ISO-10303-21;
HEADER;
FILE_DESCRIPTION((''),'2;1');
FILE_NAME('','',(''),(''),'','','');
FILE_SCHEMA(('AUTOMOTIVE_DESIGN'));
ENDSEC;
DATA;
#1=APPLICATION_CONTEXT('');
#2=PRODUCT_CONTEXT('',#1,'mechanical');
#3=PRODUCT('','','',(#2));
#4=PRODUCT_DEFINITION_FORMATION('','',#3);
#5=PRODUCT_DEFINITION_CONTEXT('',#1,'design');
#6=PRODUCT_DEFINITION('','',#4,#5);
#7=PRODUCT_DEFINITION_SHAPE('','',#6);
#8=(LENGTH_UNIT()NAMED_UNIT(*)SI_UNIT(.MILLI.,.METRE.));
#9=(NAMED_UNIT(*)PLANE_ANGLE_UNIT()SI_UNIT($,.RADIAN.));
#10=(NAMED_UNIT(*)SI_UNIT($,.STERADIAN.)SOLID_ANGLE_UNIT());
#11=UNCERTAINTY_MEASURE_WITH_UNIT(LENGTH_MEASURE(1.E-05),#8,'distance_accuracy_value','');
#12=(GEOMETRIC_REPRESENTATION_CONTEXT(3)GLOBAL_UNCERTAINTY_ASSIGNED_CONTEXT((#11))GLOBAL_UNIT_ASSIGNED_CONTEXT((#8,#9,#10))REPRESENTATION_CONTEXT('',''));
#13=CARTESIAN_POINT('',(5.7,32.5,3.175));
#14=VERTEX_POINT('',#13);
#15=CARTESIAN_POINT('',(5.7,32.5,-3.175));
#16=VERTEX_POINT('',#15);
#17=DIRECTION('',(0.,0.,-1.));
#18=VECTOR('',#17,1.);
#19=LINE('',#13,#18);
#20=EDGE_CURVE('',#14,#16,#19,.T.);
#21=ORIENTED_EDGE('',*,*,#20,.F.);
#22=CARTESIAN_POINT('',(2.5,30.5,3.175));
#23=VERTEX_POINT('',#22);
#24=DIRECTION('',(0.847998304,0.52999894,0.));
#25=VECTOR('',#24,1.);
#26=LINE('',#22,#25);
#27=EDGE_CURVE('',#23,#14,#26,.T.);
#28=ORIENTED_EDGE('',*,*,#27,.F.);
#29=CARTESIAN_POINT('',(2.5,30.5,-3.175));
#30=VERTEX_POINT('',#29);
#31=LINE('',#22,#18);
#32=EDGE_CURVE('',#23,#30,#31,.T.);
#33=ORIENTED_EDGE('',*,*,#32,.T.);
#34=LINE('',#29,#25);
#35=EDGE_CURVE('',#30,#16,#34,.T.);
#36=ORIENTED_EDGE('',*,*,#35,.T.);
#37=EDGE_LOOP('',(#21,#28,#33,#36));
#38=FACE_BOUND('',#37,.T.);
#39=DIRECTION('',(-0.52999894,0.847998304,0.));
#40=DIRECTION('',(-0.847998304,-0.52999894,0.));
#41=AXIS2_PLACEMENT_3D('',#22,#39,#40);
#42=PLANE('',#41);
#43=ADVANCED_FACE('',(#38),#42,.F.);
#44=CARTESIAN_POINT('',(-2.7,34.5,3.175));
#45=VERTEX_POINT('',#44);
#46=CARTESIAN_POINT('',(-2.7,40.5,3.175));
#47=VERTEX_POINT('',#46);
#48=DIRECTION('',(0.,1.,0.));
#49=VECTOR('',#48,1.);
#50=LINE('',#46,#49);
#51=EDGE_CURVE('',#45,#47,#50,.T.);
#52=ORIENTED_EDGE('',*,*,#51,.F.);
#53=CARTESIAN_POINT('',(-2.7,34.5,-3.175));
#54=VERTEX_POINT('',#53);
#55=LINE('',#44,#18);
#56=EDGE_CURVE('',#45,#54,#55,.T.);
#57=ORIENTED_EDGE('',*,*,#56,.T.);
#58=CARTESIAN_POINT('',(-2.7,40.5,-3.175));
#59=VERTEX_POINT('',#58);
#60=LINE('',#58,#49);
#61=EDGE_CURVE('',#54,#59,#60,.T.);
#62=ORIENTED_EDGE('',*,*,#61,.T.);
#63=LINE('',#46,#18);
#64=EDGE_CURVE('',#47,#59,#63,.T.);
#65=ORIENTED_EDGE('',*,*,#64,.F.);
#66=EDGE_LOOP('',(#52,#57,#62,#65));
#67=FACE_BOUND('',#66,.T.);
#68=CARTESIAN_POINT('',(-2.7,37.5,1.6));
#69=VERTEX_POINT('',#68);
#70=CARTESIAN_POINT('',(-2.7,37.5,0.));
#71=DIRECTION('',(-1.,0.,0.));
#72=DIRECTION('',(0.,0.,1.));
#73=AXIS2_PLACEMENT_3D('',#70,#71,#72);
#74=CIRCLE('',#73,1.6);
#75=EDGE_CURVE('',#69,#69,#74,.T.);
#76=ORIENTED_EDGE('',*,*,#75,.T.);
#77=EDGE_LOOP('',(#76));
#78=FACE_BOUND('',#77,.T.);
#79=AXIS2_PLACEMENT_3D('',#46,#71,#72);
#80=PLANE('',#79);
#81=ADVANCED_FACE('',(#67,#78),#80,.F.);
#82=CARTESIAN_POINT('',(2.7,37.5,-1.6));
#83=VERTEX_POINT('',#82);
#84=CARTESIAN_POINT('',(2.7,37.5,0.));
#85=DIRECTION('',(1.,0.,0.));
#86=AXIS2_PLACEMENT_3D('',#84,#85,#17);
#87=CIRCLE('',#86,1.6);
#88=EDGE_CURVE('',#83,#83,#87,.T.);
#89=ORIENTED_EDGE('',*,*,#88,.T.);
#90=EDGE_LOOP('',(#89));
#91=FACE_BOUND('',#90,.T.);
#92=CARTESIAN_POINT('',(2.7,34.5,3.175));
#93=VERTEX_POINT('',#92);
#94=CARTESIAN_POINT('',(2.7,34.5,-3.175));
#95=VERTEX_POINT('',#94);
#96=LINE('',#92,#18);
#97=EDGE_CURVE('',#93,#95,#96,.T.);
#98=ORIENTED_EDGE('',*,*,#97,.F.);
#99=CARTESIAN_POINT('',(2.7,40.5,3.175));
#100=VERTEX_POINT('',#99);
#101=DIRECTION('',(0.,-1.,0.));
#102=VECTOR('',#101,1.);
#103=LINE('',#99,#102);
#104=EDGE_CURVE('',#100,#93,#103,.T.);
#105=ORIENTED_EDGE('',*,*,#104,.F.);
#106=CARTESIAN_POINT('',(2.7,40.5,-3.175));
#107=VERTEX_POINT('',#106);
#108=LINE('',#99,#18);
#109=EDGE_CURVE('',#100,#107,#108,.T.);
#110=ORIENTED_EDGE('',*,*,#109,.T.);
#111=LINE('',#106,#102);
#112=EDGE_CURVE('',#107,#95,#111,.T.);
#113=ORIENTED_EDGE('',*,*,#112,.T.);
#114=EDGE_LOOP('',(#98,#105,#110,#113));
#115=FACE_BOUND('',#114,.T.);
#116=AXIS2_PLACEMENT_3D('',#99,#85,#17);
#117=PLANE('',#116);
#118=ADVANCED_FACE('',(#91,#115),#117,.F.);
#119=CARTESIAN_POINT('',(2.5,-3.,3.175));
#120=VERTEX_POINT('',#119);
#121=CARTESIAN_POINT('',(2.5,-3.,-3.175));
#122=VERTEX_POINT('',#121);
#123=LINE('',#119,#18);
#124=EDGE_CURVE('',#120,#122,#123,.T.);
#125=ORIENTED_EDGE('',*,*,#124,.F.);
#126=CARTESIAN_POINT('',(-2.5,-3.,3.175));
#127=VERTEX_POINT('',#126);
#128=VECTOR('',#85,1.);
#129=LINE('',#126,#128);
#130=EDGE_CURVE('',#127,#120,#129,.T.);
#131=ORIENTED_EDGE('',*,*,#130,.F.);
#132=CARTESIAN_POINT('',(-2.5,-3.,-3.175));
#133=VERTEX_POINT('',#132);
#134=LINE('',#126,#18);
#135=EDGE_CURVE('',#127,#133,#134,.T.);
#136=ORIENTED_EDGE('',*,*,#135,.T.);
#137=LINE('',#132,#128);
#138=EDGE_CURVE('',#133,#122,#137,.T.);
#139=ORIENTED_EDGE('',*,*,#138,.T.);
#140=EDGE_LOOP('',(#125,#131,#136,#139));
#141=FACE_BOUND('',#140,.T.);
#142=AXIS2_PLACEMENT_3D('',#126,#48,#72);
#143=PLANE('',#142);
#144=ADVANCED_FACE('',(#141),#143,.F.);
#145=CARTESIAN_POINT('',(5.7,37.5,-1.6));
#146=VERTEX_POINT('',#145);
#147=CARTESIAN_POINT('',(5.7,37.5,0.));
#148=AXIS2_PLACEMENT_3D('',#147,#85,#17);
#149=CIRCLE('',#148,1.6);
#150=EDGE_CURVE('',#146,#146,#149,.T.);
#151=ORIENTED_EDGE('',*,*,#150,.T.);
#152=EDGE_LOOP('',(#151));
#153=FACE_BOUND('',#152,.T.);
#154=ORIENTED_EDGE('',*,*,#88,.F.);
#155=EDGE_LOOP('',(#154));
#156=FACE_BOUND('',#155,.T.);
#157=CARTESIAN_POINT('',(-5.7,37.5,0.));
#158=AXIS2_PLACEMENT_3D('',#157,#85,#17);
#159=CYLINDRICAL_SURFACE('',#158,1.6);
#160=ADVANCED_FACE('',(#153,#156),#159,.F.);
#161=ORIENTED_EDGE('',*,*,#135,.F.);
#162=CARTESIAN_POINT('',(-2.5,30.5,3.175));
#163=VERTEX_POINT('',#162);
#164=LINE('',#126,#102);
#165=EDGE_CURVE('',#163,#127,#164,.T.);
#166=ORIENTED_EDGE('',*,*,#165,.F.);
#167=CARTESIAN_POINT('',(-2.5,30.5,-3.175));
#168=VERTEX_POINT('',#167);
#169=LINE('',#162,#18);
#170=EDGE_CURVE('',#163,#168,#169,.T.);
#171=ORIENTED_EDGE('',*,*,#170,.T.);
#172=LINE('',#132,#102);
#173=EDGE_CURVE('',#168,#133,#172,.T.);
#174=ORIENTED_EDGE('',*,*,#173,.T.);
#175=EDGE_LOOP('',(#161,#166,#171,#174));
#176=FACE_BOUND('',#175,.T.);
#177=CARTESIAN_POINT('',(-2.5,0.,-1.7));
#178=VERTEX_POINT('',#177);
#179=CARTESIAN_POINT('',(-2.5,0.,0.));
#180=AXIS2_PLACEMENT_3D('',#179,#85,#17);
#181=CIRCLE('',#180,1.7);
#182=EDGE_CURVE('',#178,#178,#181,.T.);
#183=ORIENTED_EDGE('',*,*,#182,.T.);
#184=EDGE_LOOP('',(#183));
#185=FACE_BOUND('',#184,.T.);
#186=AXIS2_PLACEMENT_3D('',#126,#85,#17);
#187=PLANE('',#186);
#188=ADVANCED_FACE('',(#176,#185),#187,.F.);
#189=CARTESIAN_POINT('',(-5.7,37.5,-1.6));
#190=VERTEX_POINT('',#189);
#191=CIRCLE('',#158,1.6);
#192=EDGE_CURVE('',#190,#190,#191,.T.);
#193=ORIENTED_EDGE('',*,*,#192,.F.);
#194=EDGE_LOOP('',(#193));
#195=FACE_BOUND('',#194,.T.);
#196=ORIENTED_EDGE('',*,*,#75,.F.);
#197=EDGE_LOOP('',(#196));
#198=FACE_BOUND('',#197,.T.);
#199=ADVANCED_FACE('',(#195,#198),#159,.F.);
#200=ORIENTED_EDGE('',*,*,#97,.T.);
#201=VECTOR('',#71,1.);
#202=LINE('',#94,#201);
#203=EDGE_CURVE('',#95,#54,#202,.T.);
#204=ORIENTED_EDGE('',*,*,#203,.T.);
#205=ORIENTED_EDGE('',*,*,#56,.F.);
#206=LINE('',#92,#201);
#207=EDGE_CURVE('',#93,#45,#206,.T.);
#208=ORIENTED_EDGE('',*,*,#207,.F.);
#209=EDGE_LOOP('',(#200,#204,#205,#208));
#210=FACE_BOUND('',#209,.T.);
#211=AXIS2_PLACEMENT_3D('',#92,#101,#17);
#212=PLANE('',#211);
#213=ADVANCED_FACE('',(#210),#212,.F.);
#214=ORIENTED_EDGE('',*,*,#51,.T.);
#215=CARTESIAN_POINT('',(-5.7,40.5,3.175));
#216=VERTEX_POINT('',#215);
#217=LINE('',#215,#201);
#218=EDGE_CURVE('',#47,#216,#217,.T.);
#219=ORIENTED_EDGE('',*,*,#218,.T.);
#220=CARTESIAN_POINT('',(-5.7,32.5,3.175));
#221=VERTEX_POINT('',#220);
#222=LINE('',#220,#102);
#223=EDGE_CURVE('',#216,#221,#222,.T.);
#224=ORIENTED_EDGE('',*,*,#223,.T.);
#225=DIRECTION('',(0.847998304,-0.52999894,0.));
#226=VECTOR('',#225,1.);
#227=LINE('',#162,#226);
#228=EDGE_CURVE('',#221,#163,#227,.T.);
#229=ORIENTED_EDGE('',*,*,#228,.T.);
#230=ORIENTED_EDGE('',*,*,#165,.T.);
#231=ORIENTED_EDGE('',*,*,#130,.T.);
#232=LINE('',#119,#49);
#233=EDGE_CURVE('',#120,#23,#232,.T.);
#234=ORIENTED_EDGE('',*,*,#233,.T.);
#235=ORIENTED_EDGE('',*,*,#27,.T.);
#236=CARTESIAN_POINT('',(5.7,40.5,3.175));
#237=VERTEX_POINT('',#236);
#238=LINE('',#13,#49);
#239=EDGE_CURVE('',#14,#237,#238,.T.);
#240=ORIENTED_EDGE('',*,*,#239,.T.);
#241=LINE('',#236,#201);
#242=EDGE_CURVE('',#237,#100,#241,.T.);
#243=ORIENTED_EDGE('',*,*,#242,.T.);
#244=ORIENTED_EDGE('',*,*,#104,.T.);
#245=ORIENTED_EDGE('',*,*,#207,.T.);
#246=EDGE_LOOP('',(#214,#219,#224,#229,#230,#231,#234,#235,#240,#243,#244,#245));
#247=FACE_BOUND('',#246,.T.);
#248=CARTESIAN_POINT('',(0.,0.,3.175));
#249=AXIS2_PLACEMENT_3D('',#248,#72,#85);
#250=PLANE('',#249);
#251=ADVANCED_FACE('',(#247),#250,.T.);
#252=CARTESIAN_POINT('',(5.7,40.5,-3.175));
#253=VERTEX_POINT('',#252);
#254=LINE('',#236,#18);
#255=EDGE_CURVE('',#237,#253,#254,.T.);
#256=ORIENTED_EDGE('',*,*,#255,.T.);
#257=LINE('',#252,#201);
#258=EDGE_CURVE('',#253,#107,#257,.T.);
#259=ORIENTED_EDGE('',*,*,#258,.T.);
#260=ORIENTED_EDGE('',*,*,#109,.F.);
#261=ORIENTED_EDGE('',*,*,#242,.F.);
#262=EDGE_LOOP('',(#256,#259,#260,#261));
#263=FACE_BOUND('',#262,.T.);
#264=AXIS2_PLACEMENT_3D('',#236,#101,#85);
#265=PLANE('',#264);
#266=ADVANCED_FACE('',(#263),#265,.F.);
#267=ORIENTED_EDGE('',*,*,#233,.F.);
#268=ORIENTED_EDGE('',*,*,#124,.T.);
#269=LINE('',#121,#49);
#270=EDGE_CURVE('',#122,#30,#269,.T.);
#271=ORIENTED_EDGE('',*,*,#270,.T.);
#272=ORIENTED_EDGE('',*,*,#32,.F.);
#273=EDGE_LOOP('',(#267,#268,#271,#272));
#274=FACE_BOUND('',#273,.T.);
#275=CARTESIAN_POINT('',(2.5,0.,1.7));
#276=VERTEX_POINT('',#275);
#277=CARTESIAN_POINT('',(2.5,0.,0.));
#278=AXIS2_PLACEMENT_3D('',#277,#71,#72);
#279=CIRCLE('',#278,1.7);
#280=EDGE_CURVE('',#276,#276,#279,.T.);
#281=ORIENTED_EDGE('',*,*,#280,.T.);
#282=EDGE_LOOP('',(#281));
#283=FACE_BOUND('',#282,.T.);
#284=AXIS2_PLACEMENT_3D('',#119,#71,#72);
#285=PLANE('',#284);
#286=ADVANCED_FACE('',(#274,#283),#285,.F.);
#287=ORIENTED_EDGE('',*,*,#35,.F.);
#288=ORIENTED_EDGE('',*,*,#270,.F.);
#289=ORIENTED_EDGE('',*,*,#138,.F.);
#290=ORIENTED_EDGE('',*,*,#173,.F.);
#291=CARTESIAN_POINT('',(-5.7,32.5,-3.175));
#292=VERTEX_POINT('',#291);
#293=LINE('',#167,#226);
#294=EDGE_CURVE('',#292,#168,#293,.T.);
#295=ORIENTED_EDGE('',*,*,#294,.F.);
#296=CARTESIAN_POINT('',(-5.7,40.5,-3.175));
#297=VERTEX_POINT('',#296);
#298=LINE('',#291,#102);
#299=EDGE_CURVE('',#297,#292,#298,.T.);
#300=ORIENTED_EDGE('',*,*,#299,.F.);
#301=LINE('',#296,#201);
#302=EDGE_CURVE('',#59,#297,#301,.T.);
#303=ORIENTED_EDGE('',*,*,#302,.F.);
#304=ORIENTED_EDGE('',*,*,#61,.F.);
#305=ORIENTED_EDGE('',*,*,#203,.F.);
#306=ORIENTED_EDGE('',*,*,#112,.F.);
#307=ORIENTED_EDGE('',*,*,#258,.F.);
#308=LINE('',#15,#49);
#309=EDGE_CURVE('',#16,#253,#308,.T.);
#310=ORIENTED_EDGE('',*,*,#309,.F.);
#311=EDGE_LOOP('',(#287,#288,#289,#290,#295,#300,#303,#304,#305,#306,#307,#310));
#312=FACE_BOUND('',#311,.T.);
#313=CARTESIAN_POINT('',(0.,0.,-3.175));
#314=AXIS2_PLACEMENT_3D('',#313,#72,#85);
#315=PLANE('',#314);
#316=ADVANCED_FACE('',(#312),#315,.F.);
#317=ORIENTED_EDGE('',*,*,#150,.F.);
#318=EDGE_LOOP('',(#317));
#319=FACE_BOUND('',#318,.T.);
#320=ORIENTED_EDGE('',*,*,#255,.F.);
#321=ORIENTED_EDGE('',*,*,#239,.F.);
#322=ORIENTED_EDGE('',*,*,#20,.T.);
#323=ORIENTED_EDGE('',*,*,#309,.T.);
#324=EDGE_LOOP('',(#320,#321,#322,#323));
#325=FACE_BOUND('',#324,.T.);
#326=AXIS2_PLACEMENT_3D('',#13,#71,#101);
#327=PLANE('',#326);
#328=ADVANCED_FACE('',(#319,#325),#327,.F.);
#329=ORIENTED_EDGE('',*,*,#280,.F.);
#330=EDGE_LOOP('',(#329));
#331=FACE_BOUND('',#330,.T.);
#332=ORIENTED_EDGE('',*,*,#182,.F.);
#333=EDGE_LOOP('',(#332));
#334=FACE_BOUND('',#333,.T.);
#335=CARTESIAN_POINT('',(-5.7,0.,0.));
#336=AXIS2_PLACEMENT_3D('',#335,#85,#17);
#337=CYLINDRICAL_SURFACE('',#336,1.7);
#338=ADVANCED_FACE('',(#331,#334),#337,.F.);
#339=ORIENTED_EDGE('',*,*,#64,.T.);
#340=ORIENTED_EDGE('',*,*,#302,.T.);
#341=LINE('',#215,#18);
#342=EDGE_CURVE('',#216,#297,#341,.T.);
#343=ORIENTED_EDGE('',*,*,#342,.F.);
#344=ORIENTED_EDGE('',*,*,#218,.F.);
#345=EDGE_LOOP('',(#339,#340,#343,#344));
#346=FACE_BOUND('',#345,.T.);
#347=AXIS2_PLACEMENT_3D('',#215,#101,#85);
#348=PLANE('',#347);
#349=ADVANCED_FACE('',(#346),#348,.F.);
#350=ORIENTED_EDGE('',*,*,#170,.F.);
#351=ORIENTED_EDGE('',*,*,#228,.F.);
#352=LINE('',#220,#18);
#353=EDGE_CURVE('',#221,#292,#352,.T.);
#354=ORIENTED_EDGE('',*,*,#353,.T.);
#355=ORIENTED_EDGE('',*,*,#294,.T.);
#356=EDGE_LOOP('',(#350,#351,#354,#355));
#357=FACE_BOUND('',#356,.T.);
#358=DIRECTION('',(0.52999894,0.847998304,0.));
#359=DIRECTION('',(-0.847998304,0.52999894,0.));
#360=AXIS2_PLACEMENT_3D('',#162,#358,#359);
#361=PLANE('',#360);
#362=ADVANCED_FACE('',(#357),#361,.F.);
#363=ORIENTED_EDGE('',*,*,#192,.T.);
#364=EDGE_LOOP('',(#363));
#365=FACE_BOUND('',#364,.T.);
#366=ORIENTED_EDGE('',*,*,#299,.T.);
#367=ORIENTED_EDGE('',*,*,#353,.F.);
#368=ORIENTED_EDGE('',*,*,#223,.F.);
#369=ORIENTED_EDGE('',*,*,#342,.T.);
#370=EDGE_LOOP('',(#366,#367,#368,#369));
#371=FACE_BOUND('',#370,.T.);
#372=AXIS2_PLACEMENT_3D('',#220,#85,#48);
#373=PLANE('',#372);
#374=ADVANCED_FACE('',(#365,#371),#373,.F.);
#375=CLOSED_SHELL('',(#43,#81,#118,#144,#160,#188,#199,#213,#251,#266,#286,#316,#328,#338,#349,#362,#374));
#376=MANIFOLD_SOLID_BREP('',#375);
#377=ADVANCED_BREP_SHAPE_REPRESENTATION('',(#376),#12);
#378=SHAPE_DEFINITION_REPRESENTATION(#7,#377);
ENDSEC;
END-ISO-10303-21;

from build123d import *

# Parameters (mm, degrees)
BOSS_EXTRUDE1_DEPTH     = 3.175
CUT_EXTRUDE1_DEPTH      = 42.022196735
CUT_EXTRUDE1_DEPTH_BACK = 42.022196735
SKETCH2_R               = 1.7
SKETCH2_R_2             = 1.6


with BuildPart() as part:
    # Sketch1 → Boss-Extrude1 (new, symmetric)
    with BuildSketch(Plane.XY):
        Polygon((-2.5, -3), (2.5, -3), (2.5, 30.5), (5.7, 32.5), (5.7, 40.5), (2.7, 40.5), (2.7, 34.5), (-2.7, 34.5), (-2.7, 40.5), (-5.7, 40.5), (-5.7, 32.5), (-2.5, 30.5), align=None)
    extrude(amount=BOSS_EXTRUDE1_DEPTH, both=True)

    # Sketch2 → Cut-Extrude1 (cut, two sides: drawn at the far end of the back side and taken through both)
    with BuildSketch(Plane(origin=(0, 0, 0), x_dir=(0, 0, -1), z_dir=(1, 0, 0)).offset(-CUT_EXTRUDE1_DEPTH_BACK)):
        Circle(SKETCH2_R)
        with Locations((0, 37.5)):
            Circle(SKETCH2_R_2)
    extrude(amount=CUT_EXTRUDE1_DEPTH + CUT_EXTRUDE1_DEPTH_BACK, mode=Mode.SUBTRACT)


solid = part.part
